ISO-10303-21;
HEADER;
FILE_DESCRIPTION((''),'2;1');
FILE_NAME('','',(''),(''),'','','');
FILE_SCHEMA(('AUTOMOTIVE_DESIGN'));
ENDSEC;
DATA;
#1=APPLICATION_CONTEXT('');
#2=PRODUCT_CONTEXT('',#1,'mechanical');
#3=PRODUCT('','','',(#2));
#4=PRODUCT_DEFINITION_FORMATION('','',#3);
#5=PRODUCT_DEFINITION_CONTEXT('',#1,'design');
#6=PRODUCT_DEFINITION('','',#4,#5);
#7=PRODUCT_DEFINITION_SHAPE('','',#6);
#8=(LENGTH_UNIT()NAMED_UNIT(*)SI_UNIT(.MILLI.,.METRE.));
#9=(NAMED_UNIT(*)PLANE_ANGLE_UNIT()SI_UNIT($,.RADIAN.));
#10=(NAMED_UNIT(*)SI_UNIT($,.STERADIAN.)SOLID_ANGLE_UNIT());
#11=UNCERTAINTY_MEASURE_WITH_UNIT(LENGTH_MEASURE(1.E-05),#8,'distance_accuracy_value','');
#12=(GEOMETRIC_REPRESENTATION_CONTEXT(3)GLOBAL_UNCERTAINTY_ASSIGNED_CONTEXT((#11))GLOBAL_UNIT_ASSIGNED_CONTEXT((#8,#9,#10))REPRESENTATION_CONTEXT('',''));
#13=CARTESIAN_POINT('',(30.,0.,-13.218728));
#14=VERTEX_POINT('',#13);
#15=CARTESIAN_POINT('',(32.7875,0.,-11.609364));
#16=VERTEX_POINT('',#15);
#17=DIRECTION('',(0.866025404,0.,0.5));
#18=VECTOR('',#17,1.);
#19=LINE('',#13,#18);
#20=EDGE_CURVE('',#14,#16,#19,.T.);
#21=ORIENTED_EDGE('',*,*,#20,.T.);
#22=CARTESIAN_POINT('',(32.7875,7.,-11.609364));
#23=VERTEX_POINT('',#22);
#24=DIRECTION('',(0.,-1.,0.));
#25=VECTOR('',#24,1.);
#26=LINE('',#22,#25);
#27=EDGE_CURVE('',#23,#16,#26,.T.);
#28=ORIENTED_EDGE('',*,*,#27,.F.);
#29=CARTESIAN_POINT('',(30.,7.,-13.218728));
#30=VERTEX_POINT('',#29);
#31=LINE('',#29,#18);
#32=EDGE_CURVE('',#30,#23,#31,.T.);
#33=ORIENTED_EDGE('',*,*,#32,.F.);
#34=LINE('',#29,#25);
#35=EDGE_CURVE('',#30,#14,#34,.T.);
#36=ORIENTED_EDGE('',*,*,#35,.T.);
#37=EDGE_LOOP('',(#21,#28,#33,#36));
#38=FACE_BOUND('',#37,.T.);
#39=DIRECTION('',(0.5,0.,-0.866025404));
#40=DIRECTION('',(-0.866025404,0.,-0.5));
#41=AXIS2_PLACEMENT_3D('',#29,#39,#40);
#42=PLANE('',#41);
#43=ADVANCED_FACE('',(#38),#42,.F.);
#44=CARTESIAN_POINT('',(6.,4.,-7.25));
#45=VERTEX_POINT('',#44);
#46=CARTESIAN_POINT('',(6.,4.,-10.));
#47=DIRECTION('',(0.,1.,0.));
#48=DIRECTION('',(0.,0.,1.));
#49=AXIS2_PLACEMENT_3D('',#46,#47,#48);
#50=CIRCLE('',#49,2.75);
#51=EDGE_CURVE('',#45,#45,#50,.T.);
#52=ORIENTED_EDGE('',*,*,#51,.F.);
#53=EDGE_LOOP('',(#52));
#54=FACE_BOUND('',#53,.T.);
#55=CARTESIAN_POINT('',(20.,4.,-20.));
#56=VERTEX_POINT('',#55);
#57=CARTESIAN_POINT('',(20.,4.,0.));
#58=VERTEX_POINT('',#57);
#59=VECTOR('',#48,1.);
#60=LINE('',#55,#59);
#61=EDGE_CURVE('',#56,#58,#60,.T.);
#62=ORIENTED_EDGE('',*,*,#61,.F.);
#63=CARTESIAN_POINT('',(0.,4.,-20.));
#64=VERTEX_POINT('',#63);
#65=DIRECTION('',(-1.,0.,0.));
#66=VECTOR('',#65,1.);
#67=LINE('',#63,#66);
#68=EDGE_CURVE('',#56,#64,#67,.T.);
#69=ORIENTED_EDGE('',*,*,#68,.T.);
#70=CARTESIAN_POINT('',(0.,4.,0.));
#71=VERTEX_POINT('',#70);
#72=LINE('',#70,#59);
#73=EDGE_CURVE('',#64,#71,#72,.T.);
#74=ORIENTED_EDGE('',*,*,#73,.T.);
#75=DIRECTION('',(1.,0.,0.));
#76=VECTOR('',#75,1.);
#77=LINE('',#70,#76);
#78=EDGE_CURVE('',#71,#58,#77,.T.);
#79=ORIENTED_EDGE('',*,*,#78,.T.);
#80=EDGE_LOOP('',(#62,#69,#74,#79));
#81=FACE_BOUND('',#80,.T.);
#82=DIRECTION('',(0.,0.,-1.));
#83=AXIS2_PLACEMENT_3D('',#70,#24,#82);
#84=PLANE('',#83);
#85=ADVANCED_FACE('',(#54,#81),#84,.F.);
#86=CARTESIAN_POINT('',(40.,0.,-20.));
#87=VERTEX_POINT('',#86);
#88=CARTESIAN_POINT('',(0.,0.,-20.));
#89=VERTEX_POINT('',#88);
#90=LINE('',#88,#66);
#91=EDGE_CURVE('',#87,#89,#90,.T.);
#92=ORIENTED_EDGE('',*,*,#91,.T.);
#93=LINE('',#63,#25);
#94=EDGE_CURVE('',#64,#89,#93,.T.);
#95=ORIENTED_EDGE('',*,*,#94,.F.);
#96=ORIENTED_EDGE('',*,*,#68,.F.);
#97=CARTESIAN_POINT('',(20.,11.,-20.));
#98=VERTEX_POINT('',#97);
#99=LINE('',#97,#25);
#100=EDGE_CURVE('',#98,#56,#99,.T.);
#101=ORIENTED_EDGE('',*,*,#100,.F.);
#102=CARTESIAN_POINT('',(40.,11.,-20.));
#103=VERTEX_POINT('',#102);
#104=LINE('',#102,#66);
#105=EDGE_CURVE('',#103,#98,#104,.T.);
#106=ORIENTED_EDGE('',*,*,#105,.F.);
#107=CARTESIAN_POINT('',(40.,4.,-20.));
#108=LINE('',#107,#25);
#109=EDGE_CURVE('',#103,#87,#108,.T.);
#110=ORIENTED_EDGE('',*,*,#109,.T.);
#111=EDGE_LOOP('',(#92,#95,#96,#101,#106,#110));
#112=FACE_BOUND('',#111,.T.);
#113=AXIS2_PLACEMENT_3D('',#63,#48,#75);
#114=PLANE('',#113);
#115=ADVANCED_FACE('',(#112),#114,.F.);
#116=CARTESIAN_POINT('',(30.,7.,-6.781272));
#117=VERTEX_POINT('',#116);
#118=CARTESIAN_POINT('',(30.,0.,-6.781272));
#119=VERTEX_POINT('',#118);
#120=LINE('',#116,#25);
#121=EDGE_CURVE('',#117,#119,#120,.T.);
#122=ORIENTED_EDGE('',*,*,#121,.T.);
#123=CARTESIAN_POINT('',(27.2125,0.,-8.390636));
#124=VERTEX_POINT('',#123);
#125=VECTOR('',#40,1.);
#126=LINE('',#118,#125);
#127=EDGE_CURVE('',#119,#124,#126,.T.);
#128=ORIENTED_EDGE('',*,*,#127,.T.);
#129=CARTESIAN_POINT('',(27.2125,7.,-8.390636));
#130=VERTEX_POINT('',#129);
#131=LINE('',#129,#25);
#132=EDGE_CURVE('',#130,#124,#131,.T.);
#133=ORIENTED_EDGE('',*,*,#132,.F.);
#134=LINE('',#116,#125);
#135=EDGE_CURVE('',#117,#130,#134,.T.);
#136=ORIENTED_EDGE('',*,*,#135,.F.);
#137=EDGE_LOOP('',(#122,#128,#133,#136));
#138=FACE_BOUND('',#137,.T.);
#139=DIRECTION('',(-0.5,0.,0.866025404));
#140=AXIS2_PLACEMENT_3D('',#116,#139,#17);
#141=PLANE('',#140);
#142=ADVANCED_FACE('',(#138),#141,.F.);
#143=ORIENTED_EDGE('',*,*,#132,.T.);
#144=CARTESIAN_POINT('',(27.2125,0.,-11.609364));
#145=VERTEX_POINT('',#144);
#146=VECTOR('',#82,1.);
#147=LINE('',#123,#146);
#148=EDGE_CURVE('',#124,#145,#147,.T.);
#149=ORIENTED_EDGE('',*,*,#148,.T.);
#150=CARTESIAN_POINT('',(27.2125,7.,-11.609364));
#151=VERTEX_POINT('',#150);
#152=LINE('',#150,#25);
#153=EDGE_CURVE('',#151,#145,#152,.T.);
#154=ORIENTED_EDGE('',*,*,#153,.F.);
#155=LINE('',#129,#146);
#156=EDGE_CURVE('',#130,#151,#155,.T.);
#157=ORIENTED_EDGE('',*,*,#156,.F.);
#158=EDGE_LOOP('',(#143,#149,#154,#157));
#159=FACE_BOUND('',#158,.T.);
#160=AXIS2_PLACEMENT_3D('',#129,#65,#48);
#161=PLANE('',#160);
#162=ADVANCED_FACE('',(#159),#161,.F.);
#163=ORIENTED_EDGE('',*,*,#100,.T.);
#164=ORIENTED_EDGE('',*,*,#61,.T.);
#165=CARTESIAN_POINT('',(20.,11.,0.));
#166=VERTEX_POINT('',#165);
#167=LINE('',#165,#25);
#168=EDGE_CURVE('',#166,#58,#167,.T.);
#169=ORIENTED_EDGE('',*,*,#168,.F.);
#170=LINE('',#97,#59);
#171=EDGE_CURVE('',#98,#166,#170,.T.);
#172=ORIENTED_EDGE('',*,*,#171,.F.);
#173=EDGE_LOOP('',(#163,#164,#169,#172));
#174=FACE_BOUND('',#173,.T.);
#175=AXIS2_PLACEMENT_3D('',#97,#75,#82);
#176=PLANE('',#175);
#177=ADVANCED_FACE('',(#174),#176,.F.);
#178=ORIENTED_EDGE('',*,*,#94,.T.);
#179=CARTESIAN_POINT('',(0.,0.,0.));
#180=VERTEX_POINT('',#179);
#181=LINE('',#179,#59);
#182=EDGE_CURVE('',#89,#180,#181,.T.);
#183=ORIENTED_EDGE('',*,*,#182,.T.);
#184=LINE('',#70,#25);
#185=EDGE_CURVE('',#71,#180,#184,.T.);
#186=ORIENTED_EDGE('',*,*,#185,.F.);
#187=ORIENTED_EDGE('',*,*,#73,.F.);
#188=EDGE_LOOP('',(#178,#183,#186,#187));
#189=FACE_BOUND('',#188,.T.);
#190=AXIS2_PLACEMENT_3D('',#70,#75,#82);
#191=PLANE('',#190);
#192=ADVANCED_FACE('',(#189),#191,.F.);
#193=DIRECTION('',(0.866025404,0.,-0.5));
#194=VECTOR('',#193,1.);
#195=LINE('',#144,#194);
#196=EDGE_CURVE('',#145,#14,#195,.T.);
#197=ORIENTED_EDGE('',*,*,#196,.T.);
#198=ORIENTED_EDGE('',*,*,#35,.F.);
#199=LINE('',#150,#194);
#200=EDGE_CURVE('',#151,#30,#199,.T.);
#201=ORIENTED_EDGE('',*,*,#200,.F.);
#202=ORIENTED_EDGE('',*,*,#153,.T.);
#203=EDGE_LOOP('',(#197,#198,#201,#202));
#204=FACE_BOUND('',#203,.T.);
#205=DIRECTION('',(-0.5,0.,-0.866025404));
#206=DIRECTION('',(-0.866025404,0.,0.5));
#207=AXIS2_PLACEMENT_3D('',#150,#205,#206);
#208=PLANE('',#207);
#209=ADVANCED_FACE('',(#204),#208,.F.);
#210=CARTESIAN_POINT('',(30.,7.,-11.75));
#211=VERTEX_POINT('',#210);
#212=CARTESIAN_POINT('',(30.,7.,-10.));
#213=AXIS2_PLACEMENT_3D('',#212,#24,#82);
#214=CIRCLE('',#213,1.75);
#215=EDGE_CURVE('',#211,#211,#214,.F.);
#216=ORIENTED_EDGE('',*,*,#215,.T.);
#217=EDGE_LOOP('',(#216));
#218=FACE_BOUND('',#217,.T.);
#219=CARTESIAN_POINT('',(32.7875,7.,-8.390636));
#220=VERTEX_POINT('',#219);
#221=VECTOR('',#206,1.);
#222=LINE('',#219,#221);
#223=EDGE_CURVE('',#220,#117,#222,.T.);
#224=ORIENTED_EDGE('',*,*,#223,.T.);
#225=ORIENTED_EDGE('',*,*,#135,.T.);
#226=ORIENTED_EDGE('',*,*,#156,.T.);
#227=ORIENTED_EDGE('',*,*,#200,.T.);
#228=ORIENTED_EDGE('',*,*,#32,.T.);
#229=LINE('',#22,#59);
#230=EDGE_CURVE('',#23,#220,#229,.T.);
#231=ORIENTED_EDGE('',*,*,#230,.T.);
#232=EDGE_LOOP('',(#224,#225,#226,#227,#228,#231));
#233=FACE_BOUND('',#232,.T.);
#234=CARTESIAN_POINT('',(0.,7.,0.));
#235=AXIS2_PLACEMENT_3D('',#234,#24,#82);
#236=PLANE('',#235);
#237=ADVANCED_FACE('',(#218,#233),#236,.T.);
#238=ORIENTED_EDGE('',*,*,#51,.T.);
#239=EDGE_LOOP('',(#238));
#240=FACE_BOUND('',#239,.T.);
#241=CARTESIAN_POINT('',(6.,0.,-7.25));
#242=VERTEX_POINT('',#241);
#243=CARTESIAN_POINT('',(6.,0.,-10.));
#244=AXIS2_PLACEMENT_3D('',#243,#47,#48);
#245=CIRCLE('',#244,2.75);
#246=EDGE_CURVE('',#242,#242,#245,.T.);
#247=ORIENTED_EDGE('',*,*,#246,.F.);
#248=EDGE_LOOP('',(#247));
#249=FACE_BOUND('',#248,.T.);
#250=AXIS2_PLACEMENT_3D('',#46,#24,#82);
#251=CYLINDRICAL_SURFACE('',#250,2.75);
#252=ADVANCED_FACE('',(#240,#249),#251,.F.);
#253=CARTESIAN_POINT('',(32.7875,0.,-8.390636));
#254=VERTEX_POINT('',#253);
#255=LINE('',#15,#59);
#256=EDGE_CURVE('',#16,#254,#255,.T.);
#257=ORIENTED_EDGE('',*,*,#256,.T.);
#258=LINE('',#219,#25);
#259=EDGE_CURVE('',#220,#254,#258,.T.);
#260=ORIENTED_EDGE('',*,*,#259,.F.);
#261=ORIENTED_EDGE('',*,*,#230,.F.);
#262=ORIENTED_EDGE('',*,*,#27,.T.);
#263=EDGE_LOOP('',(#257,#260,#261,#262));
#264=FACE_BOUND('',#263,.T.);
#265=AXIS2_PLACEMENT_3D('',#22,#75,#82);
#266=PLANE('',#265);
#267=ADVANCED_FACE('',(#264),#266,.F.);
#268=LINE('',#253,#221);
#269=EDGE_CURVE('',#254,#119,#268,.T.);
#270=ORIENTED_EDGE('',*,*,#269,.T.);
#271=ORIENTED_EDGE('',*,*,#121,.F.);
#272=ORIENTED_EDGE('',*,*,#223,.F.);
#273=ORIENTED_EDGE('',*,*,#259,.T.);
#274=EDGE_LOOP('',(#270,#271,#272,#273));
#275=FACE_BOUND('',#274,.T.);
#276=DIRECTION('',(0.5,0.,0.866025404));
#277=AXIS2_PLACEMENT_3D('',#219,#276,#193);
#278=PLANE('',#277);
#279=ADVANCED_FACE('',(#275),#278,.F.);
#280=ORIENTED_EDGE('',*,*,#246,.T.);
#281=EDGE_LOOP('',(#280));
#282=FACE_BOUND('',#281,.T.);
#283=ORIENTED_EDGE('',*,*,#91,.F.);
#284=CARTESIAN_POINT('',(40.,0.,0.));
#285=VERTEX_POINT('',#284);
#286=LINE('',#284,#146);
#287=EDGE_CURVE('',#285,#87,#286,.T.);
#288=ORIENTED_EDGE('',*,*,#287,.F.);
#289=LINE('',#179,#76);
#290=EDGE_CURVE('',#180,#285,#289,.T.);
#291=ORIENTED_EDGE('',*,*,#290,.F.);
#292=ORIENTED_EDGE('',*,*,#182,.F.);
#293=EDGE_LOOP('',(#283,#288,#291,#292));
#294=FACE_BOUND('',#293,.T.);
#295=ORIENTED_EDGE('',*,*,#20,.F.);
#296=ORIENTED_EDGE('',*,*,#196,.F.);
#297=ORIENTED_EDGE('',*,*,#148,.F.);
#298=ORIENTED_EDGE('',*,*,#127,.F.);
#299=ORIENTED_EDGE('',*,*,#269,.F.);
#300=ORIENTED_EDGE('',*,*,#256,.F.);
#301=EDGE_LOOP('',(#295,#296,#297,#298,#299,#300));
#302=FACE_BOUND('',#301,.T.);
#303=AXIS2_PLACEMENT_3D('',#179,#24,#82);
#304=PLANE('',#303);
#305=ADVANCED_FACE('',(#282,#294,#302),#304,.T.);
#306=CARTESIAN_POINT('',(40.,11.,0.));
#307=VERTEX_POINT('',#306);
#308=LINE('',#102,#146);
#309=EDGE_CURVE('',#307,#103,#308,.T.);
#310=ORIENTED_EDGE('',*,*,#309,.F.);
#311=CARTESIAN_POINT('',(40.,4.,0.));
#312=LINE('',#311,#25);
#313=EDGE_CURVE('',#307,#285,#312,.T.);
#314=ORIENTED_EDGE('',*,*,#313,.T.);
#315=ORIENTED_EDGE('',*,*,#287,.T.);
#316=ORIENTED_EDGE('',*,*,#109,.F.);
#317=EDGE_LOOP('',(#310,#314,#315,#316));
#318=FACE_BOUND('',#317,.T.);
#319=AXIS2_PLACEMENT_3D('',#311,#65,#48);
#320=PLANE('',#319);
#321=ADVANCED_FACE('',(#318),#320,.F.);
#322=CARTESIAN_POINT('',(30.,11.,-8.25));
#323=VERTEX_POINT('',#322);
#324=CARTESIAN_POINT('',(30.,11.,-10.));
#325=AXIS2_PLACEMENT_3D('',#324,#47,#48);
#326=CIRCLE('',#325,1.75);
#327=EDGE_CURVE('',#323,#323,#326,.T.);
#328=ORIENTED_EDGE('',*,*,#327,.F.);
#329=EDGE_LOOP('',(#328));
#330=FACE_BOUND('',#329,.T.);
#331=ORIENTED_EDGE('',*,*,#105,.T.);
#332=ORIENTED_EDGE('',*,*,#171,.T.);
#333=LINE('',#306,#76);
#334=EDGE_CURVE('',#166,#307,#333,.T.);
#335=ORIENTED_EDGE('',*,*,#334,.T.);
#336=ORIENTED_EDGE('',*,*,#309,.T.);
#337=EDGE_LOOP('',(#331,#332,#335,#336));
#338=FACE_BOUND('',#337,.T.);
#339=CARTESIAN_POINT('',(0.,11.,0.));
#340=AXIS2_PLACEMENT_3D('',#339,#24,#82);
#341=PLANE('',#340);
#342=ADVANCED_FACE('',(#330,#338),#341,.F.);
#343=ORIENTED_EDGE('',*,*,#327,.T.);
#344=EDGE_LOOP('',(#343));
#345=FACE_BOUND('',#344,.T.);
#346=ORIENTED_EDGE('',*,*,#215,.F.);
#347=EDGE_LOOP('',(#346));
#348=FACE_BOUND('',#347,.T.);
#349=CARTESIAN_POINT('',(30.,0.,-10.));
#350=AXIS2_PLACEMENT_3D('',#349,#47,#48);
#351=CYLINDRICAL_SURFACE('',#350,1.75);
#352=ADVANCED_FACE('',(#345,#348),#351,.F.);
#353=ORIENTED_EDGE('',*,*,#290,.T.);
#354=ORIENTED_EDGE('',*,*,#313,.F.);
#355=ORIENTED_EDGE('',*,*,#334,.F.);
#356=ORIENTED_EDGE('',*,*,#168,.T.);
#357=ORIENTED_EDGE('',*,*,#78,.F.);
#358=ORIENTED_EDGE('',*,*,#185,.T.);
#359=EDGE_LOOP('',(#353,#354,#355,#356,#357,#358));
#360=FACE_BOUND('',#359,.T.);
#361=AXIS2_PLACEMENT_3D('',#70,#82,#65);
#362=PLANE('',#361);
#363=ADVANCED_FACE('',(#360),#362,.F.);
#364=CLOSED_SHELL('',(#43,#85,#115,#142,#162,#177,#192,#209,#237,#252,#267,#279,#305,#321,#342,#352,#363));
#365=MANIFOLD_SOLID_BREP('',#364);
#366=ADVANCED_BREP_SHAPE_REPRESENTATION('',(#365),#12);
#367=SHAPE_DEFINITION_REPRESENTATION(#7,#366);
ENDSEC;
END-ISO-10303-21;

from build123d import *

# Parameters (mm, degrees)
SKETCH1_W           = 40
SKETCH1_H           = 20
SKETCH1_R           = 2.75
BOSS_EXTRUDE1_DEPTH = 4
SKETCH2_W           = 20
SKETCH2_H           = 20
BOSS_EXTRUDE2_DEPTH = 7
SKETCH3_R           = 1.75
CUT_EXTRUDE1_DEPTH  = 12
CUT_EXTRUDE2_DEPTH  = 7


with BuildPart() as part:
    # Sketch1 → Boss-Extrude1 (new body)
    with BuildSketch(Plane(origin=(0, 0, 0), x_dir=(1, 0, 0), z_dir=(0, 1, 0))):
        with Locations((20, 10)):
            Rectangle(SKETCH1_W, SKETCH1_H)
        with Locations((6, 10)):
            Circle(SKETCH1_R, mode=Mode.SUBTRACT)
    extrude(amount=BOSS_EXTRUDE1_DEPTH)

    # Sketch2 → Boss-Extrude2 (add)
    with BuildSketch(Plane(origin=(0, 4, 0), x_dir=(1, 0, 0), z_dir=(0, 1, 0))):
        with Locations((30, 10)):
            Rectangle(SKETCH2_W, SKETCH2_H)
    extrude(amount=BOSS_EXTRUDE2_DEPTH)

    # Sketch3 → Cut-Extrude1 (cut, through all)
    with BuildSketch(Plane(origin=(0, 11, 0), x_dir=(1, 0, 0), z_dir=(0, 1, 0))):
        with Locations((30, 10)):
            Circle(SKETCH3_R)
    extrude(amount=-CUT_EXTRUDE1_DEPTH, mode=Mode.SUBTRACT)

    # Sketch4 → Cut-Extrude2 (cut)
    with BuildSketch(Plane(origin=(0, 0, 0), x_dir=(-1, 0, 0), z_dir=(0, -1, 0))):
        Polygon((-30, 13.218727751), (-32.7875, 11.609363875), (-32.7875, 8.390636125), (-30, 6.781272249), (-27.2125, 8.390636125), (-27.2125, 11.609363875), align=None)
    extrude(amount=-CUT_EXTRUDE2_DEPTH, mode=Mode.SUBTRACT)


solid = part.part
